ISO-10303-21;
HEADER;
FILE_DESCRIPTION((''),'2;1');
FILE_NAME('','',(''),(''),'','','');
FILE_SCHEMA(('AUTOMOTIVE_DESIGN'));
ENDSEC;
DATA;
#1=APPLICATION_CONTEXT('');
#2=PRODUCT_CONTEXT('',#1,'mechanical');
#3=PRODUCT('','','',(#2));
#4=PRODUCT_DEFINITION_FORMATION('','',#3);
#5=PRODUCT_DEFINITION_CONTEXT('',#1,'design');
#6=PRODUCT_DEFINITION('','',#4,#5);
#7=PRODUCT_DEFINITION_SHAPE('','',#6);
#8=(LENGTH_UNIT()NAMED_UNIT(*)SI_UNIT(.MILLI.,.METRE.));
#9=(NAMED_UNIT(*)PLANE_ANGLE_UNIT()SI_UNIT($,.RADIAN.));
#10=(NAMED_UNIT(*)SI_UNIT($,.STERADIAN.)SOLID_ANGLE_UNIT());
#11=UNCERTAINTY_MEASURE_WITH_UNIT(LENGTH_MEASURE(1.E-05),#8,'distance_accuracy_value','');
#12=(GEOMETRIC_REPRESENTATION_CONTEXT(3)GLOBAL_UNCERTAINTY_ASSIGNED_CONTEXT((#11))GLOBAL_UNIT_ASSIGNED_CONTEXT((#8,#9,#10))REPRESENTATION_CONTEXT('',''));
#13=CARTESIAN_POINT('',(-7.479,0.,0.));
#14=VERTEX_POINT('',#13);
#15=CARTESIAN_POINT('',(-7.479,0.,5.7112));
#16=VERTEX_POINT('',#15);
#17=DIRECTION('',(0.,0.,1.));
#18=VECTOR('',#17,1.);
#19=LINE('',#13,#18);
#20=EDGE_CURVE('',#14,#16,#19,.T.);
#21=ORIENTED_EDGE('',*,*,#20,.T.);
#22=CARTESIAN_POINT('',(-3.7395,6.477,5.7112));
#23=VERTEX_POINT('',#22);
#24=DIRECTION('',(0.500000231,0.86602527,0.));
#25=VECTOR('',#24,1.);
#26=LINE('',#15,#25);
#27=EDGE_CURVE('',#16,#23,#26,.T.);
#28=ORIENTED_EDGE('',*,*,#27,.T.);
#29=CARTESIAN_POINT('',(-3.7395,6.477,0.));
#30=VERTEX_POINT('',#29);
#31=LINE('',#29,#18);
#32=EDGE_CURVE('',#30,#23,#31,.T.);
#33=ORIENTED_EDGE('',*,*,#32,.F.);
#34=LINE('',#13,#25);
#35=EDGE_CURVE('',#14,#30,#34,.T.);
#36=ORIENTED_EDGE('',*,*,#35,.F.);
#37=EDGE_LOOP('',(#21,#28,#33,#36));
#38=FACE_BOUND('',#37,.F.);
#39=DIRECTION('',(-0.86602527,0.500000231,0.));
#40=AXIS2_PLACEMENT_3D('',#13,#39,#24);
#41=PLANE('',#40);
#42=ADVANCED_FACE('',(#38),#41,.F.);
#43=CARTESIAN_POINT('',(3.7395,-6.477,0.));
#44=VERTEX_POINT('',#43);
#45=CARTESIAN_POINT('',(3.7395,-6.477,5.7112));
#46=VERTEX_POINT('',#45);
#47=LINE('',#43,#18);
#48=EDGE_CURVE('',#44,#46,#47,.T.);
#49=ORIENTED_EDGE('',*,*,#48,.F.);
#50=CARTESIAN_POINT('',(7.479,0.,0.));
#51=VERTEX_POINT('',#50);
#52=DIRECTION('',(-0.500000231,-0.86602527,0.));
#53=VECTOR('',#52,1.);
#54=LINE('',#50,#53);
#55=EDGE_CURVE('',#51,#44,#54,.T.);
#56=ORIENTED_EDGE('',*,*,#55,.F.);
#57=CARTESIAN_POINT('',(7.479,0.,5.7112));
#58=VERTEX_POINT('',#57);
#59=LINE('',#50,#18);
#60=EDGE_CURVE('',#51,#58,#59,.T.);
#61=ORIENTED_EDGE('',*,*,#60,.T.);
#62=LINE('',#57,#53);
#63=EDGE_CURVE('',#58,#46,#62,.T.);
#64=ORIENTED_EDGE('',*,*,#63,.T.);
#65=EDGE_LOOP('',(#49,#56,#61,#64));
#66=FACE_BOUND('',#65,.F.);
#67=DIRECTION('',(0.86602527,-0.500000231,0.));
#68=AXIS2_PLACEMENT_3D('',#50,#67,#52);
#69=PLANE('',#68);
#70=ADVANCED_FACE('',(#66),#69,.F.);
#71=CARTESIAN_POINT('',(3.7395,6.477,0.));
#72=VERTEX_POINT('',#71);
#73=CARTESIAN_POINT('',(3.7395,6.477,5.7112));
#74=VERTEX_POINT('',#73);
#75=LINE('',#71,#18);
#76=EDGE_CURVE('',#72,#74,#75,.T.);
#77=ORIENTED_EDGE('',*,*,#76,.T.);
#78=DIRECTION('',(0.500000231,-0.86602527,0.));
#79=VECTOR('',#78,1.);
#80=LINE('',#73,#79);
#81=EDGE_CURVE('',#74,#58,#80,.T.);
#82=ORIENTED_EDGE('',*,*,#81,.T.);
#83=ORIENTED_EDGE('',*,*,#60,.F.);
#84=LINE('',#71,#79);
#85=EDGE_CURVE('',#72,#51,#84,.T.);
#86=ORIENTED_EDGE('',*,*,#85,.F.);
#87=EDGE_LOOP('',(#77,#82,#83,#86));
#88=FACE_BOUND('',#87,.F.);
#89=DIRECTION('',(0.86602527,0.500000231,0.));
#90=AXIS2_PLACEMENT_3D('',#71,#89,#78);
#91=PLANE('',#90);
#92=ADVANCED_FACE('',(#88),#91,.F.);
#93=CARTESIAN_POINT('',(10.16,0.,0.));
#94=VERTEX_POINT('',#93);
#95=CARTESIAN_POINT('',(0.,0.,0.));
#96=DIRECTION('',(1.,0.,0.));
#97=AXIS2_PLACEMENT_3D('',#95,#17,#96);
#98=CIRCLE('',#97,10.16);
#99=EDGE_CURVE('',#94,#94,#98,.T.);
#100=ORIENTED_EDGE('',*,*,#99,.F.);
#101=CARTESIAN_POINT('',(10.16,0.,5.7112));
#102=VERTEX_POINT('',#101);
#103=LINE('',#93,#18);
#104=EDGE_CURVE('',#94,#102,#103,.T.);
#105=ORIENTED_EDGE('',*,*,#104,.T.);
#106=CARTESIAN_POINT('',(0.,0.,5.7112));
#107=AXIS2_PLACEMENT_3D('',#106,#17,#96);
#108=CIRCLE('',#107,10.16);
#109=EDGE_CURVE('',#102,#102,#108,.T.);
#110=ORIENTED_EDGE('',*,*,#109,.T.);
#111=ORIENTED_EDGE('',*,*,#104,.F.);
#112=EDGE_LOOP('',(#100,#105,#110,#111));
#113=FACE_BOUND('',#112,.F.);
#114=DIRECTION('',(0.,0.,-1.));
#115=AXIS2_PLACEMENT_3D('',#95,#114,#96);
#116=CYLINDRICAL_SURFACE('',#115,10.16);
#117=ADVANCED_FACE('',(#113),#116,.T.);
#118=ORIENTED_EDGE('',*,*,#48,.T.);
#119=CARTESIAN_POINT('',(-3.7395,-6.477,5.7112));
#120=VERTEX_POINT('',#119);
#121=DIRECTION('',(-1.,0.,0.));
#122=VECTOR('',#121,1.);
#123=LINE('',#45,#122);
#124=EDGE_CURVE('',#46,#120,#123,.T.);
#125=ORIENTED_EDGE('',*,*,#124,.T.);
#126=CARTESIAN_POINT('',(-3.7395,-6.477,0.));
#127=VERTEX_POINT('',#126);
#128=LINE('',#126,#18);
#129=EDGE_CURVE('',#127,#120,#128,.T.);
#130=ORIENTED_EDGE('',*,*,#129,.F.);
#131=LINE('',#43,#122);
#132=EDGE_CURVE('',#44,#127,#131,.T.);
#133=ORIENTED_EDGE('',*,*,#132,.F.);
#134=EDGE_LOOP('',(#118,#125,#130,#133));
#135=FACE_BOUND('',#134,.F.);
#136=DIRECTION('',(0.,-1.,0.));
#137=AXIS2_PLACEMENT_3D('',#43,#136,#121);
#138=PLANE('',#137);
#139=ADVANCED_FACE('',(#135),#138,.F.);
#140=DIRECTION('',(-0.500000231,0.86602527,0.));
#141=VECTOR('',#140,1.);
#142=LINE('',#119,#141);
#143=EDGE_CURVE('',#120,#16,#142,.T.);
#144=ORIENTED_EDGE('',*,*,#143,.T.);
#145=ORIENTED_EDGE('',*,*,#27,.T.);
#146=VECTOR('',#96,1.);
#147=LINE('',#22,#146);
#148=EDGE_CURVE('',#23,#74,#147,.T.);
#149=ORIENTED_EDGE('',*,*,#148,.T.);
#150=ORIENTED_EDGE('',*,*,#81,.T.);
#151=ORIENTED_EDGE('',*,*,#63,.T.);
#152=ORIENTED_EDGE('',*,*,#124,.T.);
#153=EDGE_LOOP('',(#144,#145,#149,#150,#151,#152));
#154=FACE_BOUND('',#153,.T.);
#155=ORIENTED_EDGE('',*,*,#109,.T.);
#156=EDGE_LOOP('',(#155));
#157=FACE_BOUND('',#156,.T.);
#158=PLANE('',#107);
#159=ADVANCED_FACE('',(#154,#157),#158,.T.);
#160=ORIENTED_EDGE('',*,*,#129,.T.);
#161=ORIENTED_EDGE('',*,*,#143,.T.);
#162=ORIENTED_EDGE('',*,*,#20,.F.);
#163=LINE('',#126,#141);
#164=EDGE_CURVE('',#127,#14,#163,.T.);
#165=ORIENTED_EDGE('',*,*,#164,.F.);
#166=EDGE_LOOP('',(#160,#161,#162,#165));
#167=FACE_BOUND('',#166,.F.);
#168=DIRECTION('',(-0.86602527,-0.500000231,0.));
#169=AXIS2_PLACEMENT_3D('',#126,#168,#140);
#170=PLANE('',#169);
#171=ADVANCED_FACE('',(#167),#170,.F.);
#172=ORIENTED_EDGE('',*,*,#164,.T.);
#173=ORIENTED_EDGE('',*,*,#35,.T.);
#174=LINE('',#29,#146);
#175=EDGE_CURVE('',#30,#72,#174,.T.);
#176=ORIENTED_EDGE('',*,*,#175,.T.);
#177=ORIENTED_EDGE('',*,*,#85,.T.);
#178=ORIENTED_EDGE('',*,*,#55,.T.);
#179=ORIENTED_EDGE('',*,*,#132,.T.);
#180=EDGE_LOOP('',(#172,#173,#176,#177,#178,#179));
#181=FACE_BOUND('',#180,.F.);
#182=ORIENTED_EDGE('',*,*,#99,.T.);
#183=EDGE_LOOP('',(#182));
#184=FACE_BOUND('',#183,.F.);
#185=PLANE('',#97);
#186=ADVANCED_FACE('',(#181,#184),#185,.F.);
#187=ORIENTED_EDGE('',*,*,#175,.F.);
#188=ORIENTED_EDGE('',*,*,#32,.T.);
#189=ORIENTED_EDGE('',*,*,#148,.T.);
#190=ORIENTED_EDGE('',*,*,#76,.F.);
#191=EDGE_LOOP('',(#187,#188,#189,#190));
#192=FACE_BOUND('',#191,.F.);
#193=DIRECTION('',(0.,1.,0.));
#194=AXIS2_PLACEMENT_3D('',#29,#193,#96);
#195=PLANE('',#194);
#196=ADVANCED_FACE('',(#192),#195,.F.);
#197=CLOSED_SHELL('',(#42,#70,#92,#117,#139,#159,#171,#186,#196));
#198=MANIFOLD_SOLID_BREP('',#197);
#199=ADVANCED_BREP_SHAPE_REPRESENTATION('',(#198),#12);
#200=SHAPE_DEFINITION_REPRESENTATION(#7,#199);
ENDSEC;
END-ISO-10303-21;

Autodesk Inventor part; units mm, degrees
ref_plane "YZ Plane" through (0, 0, 0) normal (1, 0, 0) x (0, 1, 0)
ref_plane "XZ Plane" through (0, 0, 0) normal (0, 1, 0) x (-1, 0, 0)
ref_plane "XY Plane" through (0, 0, 0) normal (0, 0, 1) x (1, 0, 0)
sketch "Sketch1" plane through (0, 0, 0) normal (0, 0, 1) x (1, 0, 0)
  circle A0 centre (0, 0) radius 10.16
  line L0 (3.7395, -6.477) -> (-3.7395, -6.477)
  line L1 (-3.7395, -6.477) -> (-7.479, 0)
  line L2 (-7.479, 0) -> (-3.7395, 6.477)
  line L3 (-3.7395, 6.477) -> (3.7395, 6.477)
  line L4 (3.7395, 6.477) -> (7.479, 0)
  line L5 (7.479, 0) -> (3.7395, -6.477)
  dimension "d0" = 20.32
  dimension "d1" = 12.954
extrude "Extrusion1" add sketch "Sketch1" along normal blind 5.7112
properties part number "3DPRINT,KICKER,MOTOR,SPACER" material "ABS Plastic"
